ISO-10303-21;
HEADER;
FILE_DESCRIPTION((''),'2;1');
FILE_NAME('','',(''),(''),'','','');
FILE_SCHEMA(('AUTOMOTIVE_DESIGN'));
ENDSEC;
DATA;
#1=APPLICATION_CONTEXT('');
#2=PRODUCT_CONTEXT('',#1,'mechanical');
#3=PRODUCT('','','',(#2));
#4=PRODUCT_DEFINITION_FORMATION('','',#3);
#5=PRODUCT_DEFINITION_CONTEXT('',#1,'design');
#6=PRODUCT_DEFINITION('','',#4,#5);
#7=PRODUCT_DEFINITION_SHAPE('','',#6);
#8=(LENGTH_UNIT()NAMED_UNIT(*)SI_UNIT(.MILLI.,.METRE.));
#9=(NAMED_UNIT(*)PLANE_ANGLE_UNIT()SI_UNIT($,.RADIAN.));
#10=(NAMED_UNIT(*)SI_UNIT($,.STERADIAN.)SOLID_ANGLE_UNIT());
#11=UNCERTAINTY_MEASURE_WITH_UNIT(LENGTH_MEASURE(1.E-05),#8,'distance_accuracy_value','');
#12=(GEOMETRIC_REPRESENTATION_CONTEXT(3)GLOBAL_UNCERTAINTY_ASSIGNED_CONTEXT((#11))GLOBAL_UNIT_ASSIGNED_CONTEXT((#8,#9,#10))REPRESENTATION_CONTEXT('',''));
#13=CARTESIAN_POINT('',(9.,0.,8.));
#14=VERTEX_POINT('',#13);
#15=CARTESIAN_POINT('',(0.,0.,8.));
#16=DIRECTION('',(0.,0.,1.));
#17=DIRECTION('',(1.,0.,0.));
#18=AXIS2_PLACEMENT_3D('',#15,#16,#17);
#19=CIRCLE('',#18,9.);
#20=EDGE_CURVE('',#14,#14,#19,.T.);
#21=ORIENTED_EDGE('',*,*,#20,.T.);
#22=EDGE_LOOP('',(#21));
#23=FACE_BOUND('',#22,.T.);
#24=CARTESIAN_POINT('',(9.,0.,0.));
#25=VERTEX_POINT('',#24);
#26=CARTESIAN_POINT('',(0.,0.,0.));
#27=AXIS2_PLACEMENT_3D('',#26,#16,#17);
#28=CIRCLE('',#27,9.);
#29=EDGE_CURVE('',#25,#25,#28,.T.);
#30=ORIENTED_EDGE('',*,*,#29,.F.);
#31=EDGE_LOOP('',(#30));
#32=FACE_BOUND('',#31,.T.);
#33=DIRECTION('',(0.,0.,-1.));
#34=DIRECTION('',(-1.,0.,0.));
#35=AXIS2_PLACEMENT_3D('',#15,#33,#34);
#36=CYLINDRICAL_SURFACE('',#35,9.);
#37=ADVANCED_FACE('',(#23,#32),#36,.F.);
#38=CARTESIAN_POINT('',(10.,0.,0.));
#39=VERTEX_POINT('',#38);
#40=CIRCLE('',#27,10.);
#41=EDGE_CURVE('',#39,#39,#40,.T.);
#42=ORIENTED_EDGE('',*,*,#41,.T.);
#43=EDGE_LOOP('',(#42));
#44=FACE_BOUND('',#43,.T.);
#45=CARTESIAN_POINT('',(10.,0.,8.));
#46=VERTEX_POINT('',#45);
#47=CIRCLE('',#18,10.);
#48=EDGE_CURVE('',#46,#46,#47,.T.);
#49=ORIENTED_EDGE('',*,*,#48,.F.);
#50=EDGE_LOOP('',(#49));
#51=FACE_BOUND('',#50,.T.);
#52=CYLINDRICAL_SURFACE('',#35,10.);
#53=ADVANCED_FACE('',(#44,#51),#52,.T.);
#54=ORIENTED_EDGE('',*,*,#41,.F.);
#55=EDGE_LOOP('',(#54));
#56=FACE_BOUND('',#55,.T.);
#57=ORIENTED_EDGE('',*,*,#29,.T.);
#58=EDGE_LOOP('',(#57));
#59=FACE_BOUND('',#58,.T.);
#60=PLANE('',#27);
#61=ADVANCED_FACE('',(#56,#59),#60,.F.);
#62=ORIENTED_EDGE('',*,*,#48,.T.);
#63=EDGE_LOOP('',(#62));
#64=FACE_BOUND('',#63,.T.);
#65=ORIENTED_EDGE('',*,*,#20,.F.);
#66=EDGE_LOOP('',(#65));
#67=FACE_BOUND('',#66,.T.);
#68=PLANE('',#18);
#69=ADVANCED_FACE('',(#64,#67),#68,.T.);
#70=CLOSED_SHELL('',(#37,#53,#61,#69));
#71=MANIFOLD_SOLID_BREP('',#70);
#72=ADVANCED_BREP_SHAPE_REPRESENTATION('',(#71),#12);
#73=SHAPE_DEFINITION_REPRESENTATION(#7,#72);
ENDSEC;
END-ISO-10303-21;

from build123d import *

# Parameters (mm, degrees)
ESQUISSE1_R        = 10
ESQUISSE1_R_2      = 9
BOSS_EXTRU_1_DEPTH = 8


with BuildPart() as part:
    # Esquisse1 → Boss.-Extru.1 (new body)
    with BuildSketch(Plane.XY):
        Circle(ESQUISSE1_R)
        Circle(ESQUISSE1_R_2, mode=Mode.SUBTRACT)
    extrude(amount=BOSS_EXTRU_1_DEPTH)


solid = part.part
